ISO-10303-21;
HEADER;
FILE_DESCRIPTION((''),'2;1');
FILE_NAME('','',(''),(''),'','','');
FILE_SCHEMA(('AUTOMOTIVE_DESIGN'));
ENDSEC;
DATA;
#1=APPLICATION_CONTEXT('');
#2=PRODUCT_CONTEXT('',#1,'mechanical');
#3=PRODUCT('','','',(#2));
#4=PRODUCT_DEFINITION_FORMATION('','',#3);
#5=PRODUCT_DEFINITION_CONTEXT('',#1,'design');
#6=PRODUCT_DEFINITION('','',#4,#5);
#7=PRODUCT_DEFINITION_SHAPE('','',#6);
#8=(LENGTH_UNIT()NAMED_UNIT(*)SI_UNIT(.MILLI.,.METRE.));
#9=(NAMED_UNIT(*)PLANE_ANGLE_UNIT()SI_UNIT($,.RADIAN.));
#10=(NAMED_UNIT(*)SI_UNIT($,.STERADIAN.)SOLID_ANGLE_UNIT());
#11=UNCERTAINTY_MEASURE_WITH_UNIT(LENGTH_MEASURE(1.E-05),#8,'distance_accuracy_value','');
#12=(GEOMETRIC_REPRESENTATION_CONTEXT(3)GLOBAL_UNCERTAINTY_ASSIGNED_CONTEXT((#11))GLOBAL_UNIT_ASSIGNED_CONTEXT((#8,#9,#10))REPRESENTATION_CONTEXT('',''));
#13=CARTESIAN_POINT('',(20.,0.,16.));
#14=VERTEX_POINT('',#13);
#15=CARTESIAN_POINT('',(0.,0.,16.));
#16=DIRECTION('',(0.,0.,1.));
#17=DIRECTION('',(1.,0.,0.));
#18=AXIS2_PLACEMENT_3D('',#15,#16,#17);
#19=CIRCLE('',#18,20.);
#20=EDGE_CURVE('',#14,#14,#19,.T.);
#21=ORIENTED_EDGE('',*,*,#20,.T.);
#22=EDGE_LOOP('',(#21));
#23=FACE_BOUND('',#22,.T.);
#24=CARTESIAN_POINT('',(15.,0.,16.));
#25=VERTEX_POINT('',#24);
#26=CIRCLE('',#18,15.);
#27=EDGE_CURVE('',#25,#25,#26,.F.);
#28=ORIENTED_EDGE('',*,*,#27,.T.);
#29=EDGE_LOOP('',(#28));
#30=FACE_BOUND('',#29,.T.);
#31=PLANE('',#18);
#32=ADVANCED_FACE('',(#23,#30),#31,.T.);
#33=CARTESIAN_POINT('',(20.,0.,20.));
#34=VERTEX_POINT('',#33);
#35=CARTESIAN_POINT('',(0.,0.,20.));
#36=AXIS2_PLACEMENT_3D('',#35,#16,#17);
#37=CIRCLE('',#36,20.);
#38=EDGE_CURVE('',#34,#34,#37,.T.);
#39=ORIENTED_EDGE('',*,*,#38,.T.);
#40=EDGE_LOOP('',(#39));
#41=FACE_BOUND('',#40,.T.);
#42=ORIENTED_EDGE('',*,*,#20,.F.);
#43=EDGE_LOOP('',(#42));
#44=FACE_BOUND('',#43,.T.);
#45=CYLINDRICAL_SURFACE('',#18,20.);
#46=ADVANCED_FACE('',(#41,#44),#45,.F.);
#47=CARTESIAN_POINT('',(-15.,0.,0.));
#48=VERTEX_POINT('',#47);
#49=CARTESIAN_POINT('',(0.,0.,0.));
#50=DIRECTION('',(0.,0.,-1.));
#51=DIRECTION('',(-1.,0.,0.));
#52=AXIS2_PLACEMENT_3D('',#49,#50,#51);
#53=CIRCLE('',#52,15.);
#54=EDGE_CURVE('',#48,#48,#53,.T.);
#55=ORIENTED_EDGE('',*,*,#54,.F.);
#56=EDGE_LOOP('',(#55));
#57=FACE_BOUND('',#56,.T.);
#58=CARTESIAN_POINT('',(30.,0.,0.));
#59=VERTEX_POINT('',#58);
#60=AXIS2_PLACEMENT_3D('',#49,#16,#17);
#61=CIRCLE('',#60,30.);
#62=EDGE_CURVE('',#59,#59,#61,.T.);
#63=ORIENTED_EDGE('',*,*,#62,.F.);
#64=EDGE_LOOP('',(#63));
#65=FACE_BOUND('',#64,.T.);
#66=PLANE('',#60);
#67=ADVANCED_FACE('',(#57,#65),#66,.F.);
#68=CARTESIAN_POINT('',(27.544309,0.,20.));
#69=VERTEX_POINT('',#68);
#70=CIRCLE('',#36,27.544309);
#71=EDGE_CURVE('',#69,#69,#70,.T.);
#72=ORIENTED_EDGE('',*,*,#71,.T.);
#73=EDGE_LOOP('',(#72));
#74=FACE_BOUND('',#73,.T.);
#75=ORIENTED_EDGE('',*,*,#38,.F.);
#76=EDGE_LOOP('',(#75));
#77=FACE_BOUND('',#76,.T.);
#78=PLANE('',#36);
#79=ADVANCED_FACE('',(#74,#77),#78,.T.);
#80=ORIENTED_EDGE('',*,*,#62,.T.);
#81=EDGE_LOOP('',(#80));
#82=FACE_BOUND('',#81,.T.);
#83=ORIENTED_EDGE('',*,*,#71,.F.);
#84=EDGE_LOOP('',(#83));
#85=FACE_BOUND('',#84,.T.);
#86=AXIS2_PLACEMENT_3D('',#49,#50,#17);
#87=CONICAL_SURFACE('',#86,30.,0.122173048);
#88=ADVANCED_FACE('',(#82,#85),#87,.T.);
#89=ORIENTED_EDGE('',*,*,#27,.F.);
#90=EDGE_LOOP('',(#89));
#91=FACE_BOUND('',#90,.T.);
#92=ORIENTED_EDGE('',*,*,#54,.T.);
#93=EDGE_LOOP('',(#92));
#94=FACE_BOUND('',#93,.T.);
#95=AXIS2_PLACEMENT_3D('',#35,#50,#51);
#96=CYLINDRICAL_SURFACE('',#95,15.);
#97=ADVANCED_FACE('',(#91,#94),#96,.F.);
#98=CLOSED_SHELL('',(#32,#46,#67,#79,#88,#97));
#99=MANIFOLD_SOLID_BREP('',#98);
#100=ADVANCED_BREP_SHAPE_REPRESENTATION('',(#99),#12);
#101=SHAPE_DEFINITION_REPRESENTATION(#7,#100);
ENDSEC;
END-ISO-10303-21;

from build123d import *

# Parameters (mm, degrees)
SKETCH1_R           = 30
BOSS_EXTRUDE1_DEPTH = 20
BOSS_EXTRUDE1_TAPER = 7
SKETCH3_R           = 15
CUT_EXTRUDE1_DEPTH  = 21
SKETCH5_R           = 20
CUT_EXTRUDE2_DEPTH  = 4


with BuildPart() as part:
    # Sketch1 → Boss-Extrude1 (new body)
    with BuildSketch(Plane.XY):
        Circle(SKETCH1_R)
    extrude(amount=BOSS_EXTRUDE1_DEPTH, taper=BOSS_EXTRUDE1_TAPER)

    # Sketch3 → Cut-Extrude1 (cut, through all)
    with BuildSketch(Plane(origin=(0, 0, 0), x_dir=(-1, 0, 0), z_dir=(0, 0, -1))):
        Circle(SKETCH3_R)
    extrude(amount=-CUT_EXTRUDE1_DEPTH, mode=Mode.SUBTRACT)

    # Sketch5 → Cut-Extrude2 (cut)
    with BuildSketch(Plane.XY.offset(20)):
        Circle(SKETCH5_R)
    extrude(amount=-CUT_EXTRUDE2_DEPTH, mode=Mode.SUBTRACT)


solid = part.part
